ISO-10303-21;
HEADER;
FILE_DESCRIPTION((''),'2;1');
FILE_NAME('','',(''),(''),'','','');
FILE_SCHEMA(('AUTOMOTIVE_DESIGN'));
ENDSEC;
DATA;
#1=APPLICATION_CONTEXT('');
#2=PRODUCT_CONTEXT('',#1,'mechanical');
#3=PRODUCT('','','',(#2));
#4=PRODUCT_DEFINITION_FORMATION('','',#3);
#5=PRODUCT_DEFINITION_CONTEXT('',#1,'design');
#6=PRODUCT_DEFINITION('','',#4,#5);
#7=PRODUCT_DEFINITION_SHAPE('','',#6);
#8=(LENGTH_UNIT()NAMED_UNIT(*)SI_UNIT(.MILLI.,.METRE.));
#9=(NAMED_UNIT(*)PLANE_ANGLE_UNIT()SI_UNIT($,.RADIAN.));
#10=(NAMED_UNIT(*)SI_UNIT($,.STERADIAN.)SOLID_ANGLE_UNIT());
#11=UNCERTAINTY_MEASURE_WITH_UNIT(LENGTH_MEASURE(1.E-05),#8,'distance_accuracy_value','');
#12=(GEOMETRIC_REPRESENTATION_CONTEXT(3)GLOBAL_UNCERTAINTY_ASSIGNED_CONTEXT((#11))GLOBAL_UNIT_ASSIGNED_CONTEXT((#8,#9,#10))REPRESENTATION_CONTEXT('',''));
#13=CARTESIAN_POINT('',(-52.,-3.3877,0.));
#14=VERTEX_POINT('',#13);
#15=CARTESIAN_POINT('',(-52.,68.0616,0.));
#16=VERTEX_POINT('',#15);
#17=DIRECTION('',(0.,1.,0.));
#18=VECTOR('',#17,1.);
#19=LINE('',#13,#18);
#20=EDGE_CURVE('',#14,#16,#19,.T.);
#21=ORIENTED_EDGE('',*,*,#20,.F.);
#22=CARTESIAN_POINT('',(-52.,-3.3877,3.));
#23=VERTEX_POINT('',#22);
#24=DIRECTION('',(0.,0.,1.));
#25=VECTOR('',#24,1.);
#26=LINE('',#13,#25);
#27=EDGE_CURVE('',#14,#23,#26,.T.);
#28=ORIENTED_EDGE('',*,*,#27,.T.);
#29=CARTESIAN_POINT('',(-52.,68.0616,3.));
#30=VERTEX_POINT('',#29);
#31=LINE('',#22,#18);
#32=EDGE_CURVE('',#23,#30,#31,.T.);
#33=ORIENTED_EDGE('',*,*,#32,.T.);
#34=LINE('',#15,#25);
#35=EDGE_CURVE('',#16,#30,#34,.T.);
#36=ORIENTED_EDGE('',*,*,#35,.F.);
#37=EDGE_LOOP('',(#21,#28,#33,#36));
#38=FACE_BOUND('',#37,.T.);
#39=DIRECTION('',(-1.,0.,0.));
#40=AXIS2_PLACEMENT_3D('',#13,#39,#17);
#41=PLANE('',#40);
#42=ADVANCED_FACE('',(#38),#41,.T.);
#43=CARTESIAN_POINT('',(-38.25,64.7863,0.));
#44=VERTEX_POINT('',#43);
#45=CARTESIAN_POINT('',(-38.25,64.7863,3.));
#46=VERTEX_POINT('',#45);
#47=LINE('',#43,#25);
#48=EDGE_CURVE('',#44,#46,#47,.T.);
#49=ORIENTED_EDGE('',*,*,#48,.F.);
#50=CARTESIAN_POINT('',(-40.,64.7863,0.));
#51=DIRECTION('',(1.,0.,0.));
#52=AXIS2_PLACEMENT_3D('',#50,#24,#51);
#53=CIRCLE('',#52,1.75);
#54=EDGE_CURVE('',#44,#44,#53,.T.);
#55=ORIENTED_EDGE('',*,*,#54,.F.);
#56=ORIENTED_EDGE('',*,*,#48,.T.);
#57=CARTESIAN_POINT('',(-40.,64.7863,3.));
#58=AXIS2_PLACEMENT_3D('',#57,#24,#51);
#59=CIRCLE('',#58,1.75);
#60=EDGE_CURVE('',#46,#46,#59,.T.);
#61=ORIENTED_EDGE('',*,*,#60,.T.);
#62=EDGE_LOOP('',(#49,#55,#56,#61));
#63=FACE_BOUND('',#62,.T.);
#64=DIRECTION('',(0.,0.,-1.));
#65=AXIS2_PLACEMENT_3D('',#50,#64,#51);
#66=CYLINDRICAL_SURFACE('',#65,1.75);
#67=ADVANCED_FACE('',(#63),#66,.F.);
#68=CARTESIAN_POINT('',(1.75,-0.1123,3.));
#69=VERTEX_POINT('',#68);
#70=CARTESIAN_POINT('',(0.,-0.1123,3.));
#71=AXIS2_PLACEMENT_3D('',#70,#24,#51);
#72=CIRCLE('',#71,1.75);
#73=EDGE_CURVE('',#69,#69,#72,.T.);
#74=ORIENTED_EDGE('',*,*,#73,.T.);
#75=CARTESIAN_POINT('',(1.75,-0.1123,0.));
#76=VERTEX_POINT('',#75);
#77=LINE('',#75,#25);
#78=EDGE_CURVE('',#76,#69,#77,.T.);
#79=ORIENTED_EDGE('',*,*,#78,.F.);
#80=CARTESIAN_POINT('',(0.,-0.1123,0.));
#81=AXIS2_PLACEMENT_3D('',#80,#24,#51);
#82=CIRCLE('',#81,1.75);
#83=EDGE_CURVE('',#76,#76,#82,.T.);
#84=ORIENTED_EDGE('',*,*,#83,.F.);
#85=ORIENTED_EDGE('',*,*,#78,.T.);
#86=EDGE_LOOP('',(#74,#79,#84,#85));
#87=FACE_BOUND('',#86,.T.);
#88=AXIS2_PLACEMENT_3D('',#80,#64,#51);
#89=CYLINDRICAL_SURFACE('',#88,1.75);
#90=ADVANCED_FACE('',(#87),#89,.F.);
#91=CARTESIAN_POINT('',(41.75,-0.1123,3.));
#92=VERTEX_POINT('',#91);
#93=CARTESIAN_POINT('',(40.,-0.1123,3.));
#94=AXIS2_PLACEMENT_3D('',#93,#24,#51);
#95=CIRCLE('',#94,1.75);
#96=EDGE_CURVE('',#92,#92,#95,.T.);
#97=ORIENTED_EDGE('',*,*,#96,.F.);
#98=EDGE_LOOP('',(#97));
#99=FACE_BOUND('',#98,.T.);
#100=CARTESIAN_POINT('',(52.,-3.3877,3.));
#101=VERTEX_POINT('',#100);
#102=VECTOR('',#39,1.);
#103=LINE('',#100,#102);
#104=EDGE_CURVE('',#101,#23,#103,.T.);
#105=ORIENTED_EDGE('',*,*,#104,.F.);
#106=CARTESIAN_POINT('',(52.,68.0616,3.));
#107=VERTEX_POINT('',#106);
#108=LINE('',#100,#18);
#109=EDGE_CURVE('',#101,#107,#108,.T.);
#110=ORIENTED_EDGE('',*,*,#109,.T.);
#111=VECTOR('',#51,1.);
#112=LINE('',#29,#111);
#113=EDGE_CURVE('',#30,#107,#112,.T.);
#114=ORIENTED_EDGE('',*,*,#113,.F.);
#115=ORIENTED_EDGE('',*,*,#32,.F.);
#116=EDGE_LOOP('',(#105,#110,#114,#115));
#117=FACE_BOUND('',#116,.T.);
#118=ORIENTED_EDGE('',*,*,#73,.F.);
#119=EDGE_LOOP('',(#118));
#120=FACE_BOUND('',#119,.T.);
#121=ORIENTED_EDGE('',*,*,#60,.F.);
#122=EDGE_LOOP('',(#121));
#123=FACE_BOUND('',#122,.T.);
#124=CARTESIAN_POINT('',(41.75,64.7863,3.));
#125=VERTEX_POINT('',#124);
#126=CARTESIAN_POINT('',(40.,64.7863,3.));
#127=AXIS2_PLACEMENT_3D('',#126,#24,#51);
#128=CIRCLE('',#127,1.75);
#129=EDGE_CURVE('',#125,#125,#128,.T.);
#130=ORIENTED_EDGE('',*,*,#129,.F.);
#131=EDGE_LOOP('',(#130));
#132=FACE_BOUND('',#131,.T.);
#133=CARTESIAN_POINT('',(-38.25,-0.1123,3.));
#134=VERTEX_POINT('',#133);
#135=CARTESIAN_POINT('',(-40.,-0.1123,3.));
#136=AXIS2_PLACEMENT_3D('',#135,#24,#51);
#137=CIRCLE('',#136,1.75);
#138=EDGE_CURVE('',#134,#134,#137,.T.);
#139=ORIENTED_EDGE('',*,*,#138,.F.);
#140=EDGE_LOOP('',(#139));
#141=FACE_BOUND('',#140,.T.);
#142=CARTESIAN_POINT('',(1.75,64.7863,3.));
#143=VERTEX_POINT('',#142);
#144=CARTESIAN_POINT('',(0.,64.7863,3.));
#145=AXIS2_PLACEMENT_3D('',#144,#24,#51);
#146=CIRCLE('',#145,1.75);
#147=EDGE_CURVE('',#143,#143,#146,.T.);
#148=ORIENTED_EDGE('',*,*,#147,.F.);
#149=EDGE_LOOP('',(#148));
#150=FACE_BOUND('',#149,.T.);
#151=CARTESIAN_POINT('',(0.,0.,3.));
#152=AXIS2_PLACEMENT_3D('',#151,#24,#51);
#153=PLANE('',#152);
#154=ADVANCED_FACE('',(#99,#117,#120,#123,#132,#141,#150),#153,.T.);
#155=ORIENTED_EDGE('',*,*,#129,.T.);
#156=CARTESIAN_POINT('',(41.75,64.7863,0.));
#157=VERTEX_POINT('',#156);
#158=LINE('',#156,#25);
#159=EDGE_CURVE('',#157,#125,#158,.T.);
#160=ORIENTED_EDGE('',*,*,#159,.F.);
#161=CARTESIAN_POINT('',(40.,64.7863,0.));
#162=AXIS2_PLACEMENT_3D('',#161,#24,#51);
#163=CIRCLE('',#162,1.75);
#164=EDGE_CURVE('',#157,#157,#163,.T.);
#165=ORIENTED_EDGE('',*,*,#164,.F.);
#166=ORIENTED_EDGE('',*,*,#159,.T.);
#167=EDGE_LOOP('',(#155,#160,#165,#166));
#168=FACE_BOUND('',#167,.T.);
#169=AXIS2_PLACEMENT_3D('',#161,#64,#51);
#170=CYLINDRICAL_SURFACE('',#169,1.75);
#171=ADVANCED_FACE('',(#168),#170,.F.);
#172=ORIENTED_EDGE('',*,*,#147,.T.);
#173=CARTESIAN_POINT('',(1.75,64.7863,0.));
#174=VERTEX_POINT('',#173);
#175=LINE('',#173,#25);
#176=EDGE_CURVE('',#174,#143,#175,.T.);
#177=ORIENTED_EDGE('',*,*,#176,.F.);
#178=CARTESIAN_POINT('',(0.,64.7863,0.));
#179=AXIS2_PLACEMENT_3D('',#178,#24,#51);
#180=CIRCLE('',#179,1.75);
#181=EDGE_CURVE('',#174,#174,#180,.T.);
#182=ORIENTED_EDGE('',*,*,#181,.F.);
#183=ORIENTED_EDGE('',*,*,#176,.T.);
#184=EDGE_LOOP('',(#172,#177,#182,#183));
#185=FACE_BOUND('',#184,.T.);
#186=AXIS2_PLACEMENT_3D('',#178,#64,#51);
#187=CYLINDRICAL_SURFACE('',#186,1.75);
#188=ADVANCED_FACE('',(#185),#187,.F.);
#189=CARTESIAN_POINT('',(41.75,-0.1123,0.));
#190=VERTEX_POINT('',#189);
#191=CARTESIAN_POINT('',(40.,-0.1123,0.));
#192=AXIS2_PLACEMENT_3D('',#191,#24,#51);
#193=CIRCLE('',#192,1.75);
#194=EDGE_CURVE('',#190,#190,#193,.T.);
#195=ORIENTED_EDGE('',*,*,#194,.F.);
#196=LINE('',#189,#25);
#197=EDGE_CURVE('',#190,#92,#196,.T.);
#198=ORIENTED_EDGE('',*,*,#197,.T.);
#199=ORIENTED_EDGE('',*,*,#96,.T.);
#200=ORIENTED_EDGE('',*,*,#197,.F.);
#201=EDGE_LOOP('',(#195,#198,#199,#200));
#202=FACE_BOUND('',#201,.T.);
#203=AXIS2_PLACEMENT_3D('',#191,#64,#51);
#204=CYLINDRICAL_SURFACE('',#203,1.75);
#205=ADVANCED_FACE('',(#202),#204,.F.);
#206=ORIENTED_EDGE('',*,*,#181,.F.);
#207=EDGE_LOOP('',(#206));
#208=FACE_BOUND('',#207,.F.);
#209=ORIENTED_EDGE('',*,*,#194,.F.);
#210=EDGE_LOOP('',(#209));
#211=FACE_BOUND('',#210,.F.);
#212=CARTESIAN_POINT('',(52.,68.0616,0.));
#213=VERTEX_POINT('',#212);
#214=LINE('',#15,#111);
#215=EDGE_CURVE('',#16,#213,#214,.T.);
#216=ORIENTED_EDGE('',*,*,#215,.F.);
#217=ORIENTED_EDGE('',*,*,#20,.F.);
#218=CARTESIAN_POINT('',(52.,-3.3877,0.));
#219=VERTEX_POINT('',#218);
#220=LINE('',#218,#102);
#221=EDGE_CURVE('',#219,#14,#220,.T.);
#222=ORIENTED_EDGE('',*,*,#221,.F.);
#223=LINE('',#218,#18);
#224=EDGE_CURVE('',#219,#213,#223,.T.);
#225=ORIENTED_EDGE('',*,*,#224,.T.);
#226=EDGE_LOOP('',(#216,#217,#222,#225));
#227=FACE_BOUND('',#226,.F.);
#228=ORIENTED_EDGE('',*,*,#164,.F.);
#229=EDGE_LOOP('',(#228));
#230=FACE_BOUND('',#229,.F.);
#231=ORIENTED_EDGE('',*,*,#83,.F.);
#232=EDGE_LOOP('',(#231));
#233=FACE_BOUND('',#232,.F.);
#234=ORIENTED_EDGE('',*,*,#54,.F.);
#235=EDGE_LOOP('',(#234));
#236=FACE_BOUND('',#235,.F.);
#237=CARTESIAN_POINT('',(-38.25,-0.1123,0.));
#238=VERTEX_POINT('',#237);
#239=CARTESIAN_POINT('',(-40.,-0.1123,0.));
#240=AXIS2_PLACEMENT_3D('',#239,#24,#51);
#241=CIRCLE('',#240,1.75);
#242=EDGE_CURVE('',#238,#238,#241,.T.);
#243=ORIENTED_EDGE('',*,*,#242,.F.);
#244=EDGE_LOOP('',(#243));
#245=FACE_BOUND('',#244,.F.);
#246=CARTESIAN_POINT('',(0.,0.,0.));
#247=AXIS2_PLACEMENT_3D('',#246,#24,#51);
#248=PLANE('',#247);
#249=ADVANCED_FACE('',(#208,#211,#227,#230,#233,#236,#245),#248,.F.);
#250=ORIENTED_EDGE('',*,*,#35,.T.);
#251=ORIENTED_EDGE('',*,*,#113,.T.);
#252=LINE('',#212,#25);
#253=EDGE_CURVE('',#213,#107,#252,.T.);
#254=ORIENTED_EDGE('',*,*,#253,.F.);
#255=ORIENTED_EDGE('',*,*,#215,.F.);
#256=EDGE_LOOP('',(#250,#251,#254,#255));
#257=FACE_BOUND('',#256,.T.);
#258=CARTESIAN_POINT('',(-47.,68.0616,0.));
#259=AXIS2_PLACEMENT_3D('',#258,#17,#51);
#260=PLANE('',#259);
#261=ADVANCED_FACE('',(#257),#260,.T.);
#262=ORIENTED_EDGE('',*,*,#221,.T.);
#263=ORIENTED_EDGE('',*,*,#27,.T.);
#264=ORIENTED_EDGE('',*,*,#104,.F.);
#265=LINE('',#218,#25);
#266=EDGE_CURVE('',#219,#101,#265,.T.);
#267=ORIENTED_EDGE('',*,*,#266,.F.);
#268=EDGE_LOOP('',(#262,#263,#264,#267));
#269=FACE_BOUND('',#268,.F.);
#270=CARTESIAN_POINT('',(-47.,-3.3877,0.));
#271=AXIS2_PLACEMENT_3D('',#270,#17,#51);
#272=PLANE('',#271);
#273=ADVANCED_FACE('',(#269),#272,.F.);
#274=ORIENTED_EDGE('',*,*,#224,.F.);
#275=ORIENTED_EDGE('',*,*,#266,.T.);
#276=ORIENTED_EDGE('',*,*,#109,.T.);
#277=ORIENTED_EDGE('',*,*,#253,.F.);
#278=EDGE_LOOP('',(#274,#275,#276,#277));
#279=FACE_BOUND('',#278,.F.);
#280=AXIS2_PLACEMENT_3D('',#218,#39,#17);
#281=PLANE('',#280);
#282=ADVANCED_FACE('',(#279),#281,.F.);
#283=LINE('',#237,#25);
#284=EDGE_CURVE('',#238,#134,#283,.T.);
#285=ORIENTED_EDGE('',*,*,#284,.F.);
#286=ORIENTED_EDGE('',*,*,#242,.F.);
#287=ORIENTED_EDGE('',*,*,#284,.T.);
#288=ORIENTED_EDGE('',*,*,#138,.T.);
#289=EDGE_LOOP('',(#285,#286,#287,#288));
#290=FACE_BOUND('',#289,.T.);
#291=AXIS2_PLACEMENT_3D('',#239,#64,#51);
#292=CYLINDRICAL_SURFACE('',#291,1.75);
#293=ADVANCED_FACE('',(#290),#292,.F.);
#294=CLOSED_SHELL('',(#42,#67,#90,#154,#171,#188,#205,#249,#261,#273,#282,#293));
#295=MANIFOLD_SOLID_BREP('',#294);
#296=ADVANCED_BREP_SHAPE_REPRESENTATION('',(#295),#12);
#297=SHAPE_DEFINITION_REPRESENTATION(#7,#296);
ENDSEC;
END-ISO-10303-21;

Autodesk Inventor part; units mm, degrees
ref_plane "YZ Plane" through (0, 0, 0) normal (1, 0, 0) x (0, 1, 0)
ref_plane "XZ Plane" through (0, 0, 0) normal (0, 1, 0) x (-1, 0, 0)
ref_plane "XY Plane" through (0, 0, 0) normal (0, 0, 1) x (1, 0, 0)
sketch "Sketch1" plane through (0, 0, 0) normal (0, 0, 1) x (1, 0, 0)
  circle A0 centre (40, -0.1123) radius 1.75 projected
  circle A1 centre (0, -0.1123) radius 1.75 projected
  circle A2 centre (-40, -0.1123) radius 1.75 projected
  line L0 (-44, 3.3877) -> (44, 3.3877) projected
  line L1 (-44, -3.3877) -> (-44, 3.3877) projected
  line L2 (44, -3.3877) -> (-44, -3.3877) projected
  line L3 (44, 3.3877) -> (44, -3.3877) projected
  circle A3 centre (-40, 64.7863) radius 1.75 projected
  circle A4 centre (0, 64.7863) radius 1.75 projected
  circle A5 centre (40, 64.7863) radius 1.75 projected
  line L4 (44, 61.2863) -> (-44, 61.2863) projected
  line L5 (44, 68.0616) -> (44, 61.2863) projected
  line L6 (-44, 68.0616) -> (44, 68.0616) projected
  line L7 (-44, 61.2863) -> (-44, 68.0616) projected
  line L8 (44, 68.0616) -> (44, -3.3877) projected
  line L9 (44, -3.3877) -> (47, -3.3877) projected
  line L10 (47, 68.0616) -> (47, -3.3877) projected
  line L11 (44, 68.0616) -> (47, 68.0616) projected
  line L12 (-47, 68.0616) -> (-47, -3.3877) projected
  line L13 (-47, -3.3877) -> (-44, -3.3877) projected
  line L14 (-44, 68.0616) -> (-44, -3.3877) projected
  line L15 (-47, 68.0616) -> (-44, 68.0616) projected
  line L16 (-47, -3.3877) -> (-52, -3.3877)
  line L17 (-52, -3.3877) -> (-52, 68.0616)
  line L18 (-52, 68.0616) -> (-47, 68.0616)
  line L19 (-47, 68.0616) -> (-47, -3.3877)
  line L20 (47, -3.3877) -> (52, -3.3877)
  line L21 (52, -3.3877) -> (52, 68.0616)
  line L22 (52, 68.0616) -> (47, 68.0616)
  line L23 (47, 68.0616) -> (47, -3.3877)
  point P0 (0, 0)
  dimension "d0" = 5
  dimension "d1" = 5
extrude "Extrusion1" add sketch "Sketch1" along normal blind 3
equation "\"BendRadius\" = Thickness"
equation "\"BendReliefWidth\" = Thickness"
equation "\"BendReliefDepth\" = 0.5 * Thickness"
equation "\"CornerReliefSize\" = 4 * Thickness"
equation "\"MinimumRemnant\" = 2 * Thickness"
equation "\"TransitionRadius\" = BendRadius"
equation "\"JacobiRadiusSize\" = Thickness"
equation "\"GapSize\" = Thickness"
equation "\"Thickness\" = 0.5"
properties part number "КВ33.000.104 - Крышка" material "ABS Plastic"
